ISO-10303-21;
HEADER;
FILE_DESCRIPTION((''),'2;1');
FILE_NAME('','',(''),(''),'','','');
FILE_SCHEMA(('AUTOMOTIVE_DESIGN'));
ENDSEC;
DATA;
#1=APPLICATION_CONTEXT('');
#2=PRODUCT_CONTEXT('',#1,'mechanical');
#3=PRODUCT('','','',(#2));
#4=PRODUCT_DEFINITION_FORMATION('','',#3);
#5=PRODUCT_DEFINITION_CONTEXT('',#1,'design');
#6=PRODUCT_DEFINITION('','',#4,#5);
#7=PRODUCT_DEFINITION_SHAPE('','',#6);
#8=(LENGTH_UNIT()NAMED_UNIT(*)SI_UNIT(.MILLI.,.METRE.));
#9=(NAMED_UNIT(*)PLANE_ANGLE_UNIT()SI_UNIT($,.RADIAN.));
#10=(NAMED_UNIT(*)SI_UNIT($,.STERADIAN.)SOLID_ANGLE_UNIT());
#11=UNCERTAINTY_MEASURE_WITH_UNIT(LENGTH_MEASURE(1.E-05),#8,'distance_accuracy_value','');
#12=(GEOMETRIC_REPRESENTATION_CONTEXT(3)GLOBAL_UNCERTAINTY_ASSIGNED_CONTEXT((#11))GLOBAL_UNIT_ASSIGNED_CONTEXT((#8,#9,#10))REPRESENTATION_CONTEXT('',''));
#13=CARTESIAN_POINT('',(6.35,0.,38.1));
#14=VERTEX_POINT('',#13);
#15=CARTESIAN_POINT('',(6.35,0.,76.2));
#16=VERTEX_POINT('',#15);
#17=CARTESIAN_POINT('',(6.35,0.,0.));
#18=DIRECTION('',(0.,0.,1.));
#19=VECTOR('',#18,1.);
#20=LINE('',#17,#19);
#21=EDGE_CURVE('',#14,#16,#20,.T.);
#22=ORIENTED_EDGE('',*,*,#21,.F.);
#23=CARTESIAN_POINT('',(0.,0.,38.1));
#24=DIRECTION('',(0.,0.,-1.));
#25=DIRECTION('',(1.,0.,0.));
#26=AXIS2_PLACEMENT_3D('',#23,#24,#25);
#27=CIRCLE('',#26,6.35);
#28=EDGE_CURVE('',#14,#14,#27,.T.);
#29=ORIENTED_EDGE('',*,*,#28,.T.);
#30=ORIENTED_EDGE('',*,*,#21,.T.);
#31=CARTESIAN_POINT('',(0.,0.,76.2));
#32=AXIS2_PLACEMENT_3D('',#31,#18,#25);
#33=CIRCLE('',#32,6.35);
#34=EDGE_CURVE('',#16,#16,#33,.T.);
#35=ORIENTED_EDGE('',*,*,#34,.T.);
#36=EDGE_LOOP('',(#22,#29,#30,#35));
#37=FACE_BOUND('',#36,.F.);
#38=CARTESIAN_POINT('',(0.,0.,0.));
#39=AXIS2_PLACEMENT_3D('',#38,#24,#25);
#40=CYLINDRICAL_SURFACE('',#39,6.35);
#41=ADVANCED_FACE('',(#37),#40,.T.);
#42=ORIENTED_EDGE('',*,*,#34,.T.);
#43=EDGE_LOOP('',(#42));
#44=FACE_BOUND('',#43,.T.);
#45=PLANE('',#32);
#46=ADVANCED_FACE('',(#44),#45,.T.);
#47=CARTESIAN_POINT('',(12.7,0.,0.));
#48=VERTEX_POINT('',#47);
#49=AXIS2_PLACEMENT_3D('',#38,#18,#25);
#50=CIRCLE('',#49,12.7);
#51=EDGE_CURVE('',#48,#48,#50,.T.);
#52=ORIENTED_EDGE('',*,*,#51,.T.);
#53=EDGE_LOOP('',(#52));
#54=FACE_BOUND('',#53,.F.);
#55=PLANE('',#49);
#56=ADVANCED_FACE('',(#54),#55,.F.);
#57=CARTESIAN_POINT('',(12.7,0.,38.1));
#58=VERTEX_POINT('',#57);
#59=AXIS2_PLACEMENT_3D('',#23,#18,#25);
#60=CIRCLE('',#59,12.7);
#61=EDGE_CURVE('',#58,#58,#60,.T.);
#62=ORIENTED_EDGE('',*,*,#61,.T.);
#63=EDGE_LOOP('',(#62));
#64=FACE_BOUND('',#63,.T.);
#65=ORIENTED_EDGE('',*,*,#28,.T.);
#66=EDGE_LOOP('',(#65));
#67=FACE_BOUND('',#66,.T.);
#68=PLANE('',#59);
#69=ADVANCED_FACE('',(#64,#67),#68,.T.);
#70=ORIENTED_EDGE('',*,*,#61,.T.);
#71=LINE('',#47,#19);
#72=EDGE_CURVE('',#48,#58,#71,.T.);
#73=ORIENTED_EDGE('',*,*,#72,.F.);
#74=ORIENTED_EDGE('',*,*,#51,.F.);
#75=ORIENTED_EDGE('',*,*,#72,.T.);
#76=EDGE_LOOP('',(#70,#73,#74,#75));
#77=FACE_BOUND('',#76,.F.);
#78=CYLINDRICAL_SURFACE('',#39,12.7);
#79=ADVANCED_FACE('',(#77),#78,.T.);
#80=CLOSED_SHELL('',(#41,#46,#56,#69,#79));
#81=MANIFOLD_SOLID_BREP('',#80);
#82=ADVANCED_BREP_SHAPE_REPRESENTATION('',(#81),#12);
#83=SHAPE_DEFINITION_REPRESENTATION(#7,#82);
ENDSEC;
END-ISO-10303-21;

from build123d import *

# Parameters (mm, degrees)
F0_R     = 6.35
F2_DEPTH = 76.2
F1_R     = 12.7
F3_DEPTH = 38.1


with BuildPart() as f2:
    # F0 (on Top) → F2 (new body)
    with BuildSketch(Plane.XY):
        Circle(F0_R)
    extrude(amount=F2_DEPTH)

    # F1 (on Top) → F3 (join)
    with BuildSketch(Plane.XY):
        Circle(F1_R)
    extrude(amount=F3_DEPTH)


solid = f2.part
